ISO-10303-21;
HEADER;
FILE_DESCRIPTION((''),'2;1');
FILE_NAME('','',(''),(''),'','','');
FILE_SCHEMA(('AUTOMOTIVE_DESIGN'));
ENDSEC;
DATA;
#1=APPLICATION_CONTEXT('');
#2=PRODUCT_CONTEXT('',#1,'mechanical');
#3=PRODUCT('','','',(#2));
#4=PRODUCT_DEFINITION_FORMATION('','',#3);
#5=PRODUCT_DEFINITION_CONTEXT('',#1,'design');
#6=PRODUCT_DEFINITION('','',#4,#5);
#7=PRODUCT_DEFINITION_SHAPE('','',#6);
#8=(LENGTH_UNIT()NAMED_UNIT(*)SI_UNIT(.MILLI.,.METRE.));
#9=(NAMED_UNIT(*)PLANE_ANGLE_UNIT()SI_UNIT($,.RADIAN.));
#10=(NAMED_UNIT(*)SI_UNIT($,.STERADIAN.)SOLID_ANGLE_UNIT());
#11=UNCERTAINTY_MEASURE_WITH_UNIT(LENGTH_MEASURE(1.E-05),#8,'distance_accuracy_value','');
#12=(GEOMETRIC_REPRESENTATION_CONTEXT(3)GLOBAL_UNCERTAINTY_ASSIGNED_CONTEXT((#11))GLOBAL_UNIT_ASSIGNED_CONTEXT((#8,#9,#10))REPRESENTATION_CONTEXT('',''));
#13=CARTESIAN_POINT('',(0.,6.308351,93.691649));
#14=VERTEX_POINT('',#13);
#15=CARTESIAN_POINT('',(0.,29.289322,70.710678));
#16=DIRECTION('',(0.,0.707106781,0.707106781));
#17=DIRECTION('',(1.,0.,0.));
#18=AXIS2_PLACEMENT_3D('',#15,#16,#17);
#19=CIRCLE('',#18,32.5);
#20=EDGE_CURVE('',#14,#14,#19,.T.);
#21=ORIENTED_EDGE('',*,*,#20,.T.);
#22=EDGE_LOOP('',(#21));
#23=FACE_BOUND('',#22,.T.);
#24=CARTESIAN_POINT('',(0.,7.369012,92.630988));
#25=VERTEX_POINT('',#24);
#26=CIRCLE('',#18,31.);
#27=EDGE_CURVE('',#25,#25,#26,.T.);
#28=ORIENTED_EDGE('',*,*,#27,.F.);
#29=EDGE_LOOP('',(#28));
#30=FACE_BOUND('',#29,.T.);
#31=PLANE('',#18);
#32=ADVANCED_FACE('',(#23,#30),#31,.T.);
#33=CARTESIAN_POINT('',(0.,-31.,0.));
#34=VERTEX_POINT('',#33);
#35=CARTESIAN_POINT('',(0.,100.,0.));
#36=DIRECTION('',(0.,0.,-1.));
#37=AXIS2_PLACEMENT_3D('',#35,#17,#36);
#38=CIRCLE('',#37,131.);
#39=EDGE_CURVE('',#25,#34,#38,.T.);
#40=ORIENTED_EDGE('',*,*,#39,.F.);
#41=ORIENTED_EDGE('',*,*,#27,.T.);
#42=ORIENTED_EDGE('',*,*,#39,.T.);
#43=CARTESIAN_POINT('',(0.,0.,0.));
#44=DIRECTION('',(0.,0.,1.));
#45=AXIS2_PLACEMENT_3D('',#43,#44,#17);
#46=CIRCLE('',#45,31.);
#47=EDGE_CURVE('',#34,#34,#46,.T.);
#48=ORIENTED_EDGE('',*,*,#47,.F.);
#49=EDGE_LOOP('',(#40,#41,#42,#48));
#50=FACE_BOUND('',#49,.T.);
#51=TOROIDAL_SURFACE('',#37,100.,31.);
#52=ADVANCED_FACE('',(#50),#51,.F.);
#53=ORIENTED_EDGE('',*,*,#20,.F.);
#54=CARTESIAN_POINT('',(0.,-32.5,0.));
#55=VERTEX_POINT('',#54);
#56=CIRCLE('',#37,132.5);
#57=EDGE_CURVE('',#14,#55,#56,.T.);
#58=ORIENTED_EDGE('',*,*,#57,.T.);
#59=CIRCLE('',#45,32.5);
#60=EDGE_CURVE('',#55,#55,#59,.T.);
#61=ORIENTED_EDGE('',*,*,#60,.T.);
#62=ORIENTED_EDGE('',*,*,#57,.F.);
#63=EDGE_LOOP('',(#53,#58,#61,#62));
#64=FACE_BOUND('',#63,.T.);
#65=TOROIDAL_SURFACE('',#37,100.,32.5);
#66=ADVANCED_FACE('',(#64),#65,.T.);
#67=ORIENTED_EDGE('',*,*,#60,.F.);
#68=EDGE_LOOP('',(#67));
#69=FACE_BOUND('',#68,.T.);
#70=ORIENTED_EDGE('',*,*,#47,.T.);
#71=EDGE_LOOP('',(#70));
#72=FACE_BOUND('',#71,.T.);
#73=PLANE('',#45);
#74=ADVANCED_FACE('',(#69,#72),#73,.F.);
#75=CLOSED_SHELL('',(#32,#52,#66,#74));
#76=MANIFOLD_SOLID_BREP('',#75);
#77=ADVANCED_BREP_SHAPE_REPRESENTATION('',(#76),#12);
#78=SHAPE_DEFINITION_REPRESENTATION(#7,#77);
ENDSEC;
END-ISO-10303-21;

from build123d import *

# Parameters (mm, degrees)
ESQUISSE1_R   = 32.5
ESQUISSE1_R_2 = 31


with BuildPart() as part:
    # Balayage5: sweep along a path in Esquisse2
    with BuildLine(Plane(origin=(0, 0, 0), x_dir=(0, 0, -1), z_dir=(1, 0, 0))) as balayage5_path:
        ThreePointArc((0, 0), (-38.268343237, 7.612046749), (-70.710678119, 29.289321881))
    # Esquisse1 → Balayage5 (sweep)
    with BuildSketch(Plane.XY):
        Circle(ESQUISSE1_R)
        Circle(ESQUISSE1_R_2, mode=Mode.SUBTRACT)
    sweep(path=balayage5_path.line)


solid = part.part
